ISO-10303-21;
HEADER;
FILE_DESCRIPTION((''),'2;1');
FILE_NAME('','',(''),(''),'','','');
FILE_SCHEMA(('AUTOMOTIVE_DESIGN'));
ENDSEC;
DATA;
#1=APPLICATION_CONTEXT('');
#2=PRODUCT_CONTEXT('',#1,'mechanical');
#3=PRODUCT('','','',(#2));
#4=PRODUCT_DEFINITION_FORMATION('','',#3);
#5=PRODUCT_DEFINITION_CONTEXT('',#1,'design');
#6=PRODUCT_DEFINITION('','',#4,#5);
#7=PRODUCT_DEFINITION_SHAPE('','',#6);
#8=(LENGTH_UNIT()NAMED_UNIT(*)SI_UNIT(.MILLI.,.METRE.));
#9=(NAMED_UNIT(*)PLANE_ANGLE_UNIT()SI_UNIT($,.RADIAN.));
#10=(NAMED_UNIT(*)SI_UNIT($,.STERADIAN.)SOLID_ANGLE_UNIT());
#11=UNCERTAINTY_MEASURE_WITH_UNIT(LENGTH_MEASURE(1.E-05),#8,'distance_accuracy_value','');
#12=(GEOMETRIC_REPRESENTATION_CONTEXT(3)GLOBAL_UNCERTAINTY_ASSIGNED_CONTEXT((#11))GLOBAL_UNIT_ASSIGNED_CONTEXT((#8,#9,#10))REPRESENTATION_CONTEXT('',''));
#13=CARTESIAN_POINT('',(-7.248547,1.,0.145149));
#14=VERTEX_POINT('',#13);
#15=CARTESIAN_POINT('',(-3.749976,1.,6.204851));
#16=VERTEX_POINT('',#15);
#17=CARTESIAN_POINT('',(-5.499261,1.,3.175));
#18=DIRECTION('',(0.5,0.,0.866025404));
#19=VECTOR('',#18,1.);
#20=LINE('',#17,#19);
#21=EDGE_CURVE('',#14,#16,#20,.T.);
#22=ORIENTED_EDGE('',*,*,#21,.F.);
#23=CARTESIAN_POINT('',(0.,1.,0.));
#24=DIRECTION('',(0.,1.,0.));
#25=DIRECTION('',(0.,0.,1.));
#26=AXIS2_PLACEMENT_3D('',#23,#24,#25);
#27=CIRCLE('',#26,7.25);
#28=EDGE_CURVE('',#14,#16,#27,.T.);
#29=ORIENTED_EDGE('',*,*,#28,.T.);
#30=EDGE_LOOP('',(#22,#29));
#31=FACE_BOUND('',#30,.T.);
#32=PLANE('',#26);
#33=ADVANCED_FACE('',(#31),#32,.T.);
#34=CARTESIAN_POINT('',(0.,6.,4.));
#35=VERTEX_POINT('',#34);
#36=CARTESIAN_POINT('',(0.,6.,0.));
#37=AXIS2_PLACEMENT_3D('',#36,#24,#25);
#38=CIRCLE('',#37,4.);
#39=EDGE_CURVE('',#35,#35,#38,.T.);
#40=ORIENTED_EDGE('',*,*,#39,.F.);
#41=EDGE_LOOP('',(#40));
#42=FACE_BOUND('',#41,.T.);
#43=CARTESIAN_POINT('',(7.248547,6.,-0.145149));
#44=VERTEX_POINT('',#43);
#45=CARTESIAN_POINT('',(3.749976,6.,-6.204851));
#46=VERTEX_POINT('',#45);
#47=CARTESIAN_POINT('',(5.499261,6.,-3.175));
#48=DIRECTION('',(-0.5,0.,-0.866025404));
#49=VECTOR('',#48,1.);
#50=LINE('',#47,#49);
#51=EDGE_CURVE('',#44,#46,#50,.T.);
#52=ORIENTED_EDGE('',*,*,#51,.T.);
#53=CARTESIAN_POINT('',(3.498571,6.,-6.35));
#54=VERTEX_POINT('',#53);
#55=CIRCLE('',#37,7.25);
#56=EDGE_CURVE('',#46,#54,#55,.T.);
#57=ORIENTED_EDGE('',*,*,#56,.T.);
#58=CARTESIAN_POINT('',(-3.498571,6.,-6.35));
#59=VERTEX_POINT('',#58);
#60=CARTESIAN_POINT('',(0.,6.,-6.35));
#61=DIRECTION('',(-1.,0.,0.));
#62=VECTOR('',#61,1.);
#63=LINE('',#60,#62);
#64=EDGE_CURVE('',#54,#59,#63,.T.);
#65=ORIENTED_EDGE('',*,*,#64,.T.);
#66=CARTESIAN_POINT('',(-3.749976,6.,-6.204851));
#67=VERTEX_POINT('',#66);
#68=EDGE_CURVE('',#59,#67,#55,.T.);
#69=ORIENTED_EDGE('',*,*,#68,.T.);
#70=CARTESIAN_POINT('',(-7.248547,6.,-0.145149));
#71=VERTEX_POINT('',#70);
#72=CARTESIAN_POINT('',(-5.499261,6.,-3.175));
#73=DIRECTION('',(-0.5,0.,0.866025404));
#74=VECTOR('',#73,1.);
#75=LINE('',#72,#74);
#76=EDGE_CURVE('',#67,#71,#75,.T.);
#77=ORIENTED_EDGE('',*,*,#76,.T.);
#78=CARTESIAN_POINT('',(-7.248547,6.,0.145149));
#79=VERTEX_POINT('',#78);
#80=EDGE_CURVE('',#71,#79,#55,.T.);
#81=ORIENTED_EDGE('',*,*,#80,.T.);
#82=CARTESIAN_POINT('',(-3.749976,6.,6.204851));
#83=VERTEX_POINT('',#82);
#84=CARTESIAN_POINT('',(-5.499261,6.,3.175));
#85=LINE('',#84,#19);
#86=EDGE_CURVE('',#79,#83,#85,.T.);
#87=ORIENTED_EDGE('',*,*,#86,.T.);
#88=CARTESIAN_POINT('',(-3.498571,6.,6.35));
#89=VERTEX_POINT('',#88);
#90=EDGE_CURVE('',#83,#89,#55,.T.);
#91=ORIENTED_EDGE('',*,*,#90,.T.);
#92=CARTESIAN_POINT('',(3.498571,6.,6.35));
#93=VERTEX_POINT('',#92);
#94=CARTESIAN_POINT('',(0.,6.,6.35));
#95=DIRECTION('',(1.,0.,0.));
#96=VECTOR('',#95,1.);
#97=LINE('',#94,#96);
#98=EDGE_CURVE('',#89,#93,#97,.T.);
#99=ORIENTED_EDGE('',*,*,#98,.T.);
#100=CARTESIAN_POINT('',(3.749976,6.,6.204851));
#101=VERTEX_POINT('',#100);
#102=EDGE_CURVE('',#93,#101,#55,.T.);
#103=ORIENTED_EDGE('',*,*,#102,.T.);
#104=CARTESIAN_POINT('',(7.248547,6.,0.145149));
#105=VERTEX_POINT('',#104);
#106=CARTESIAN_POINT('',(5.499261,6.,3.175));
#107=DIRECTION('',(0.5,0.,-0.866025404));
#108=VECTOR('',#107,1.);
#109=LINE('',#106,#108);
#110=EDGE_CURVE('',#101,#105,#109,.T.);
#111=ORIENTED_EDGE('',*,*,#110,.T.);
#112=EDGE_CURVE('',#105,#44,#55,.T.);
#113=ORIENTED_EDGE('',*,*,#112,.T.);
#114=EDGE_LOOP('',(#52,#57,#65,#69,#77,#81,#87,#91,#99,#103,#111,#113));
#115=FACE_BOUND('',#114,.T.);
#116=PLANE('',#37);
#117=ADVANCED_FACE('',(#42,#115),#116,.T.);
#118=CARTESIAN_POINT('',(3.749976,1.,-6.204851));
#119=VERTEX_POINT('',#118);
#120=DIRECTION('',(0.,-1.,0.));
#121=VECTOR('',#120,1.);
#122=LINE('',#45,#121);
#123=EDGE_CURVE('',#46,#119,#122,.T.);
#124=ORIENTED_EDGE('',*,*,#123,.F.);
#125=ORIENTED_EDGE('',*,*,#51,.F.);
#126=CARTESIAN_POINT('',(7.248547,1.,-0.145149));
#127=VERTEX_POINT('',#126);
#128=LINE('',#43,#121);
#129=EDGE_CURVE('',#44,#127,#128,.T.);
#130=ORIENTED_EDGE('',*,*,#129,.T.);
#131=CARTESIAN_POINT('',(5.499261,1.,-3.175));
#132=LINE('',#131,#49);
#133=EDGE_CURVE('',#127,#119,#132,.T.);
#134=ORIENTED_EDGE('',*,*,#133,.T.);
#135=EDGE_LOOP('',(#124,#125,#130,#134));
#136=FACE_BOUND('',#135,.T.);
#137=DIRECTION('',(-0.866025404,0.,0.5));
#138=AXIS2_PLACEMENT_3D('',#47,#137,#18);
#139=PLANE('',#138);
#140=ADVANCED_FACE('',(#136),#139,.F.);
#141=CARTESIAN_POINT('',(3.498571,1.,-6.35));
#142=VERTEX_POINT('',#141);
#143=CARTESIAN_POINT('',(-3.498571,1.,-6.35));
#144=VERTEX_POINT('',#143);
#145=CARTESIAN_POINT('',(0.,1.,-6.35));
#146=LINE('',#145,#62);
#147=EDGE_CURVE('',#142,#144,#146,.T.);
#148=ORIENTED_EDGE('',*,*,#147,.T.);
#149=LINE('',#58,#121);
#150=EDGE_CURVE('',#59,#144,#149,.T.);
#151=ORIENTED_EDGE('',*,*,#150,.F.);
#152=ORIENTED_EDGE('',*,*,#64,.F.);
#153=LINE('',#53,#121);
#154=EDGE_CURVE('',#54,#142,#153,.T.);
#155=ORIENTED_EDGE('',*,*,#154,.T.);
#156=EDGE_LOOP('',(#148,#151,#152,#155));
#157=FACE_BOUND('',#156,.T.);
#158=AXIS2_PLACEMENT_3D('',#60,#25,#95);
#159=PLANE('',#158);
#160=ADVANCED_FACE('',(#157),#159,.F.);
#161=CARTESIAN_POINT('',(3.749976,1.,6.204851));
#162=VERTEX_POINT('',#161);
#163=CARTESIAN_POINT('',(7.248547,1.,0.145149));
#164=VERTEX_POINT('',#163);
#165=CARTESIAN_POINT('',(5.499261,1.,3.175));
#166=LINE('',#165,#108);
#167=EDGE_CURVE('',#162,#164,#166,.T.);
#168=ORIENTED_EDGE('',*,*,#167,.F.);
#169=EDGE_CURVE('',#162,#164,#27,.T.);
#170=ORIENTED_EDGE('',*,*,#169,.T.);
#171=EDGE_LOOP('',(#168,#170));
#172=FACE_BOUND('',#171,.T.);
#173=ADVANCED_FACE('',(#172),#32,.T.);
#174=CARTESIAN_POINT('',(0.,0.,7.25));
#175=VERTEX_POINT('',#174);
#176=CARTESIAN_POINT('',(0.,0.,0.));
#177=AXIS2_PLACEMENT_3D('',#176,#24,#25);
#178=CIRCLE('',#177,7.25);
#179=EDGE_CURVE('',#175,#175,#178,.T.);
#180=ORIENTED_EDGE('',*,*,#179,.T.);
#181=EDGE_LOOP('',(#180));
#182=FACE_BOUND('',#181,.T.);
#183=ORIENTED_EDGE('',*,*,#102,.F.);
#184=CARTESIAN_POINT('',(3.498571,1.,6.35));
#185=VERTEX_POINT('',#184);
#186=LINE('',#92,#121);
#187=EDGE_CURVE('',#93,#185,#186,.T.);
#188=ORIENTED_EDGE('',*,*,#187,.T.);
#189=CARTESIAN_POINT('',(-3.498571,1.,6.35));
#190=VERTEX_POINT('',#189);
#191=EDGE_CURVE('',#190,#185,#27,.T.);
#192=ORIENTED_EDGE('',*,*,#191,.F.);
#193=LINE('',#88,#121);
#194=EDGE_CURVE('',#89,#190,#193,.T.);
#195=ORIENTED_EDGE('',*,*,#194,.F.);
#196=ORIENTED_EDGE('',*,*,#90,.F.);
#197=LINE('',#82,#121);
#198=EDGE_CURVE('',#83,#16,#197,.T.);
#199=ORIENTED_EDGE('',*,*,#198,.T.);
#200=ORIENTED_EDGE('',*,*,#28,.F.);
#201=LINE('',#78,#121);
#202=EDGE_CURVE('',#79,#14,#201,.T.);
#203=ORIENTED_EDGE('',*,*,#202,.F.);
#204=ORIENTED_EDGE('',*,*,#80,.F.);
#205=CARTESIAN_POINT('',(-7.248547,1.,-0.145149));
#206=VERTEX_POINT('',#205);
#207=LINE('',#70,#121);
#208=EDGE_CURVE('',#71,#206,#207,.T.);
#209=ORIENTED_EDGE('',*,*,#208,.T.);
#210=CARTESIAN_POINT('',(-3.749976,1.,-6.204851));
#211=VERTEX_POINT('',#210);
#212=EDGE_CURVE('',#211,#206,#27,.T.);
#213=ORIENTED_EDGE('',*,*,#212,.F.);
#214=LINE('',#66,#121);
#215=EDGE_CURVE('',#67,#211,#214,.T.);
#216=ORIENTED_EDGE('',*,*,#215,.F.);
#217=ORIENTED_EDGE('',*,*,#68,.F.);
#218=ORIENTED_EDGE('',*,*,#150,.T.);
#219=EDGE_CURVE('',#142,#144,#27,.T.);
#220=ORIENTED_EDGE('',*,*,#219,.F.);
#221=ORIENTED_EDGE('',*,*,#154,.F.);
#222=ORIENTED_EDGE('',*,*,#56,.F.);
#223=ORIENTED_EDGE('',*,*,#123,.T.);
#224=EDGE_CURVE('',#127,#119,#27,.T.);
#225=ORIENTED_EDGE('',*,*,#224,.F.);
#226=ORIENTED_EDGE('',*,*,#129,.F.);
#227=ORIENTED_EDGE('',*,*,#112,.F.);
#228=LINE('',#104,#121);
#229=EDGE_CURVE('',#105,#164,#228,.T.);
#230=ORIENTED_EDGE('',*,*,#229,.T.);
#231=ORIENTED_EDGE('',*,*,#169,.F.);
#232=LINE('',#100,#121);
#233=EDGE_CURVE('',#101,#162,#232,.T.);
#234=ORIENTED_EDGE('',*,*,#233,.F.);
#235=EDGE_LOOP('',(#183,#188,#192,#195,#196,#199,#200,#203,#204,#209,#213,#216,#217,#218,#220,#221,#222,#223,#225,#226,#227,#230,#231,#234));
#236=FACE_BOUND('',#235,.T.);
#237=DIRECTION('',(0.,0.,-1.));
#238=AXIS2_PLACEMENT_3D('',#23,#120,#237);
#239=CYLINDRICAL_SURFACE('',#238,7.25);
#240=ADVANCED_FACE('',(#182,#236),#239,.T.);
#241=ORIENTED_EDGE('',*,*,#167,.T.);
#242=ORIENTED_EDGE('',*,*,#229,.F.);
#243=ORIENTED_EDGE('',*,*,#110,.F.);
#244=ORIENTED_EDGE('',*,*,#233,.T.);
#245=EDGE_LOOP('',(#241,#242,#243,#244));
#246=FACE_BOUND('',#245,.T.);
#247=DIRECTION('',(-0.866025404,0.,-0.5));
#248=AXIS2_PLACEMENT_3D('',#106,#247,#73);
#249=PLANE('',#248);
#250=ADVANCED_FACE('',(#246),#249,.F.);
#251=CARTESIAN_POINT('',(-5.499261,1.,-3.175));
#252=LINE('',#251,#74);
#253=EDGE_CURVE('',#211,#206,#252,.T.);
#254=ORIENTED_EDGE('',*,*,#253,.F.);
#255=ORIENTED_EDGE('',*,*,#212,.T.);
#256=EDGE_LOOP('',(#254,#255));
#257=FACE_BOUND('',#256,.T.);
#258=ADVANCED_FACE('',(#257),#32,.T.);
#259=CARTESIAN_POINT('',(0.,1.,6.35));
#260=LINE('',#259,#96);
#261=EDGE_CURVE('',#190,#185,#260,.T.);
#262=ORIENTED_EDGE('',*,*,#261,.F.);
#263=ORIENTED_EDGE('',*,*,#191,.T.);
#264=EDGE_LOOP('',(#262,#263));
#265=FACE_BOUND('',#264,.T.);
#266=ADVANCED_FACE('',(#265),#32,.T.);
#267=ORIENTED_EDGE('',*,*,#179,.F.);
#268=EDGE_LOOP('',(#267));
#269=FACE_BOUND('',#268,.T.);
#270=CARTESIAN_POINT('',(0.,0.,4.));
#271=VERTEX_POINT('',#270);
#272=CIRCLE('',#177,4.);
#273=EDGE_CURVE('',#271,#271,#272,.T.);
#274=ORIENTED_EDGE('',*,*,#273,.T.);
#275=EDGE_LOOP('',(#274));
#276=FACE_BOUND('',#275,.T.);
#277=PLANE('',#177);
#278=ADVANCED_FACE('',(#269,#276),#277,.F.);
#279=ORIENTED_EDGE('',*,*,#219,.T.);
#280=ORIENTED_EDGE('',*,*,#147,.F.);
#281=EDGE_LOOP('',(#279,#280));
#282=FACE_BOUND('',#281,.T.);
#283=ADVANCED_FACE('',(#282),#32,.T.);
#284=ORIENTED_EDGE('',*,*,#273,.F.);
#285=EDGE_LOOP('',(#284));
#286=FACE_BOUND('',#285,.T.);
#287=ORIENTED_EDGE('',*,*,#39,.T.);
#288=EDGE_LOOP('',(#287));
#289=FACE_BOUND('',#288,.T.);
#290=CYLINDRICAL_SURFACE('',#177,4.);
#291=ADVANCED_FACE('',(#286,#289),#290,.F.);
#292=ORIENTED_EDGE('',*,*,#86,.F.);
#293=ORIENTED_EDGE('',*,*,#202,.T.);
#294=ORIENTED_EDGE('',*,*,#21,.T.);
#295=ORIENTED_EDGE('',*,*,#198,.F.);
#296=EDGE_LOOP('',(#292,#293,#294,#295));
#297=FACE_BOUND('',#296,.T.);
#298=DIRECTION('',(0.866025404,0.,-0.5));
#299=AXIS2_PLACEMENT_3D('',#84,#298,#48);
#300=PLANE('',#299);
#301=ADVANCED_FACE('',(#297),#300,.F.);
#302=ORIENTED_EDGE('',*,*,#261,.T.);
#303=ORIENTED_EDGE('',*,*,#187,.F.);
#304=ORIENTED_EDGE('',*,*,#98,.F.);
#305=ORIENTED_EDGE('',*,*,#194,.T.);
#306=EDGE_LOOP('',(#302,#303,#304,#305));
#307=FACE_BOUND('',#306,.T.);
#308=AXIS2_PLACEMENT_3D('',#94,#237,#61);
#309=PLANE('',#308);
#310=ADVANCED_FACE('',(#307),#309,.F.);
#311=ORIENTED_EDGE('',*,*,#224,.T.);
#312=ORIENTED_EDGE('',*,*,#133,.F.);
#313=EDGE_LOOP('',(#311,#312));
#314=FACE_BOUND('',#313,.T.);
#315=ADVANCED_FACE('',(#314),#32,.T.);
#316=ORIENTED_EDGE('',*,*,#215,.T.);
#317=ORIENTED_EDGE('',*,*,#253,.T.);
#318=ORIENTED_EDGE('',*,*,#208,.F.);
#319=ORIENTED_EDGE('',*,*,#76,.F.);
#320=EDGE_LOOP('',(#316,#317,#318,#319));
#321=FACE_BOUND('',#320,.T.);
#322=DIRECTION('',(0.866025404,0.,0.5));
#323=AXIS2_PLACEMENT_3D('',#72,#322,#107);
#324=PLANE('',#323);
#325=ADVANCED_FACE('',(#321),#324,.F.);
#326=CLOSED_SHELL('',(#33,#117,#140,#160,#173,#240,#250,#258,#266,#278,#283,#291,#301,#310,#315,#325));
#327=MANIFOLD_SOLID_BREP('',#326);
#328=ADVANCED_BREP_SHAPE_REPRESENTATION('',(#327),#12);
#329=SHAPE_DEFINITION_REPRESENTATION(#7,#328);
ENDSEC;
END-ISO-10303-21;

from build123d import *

# Parameters (mm, degrees)
SKETCH1_R           = 7.25
BOSS_EXTRUDE1_DEPTH = 1
BOSS_EXTRUDE2_DEPTH = 5
SKETCH3_R           = 4
CUT_EXTRUDE1_DEPTH  = 12.879604371


with BuildPart() as part:
    # Sketch1 → Boss-Extrude1 (new body)
    with BuildSketch(Plane(origin=(0, 0, 0), x_dir=(1, 0, 0), z_dir=(0, 1, 0))):
        with Locations(Location((0, 0, 0), (0, 0, 270))):
            Circle(SKETCH1_R)
    extrude(amount=BOSS_EXTRUDE1_DEPTH)

    # Sketch2 → Boss-Extrude2 (add)
    with BuildSketch(Plane(origin=(0, 1, 0), x_dir=(1, 0, 0), z_dir=(0, 1, 0))):
        with BuildLine():
            ThreePointArc((3.749975746, 6.204851482), (3.625, 6.278684177), (3.498571137, 6.35))
            Line((3.498571137, 6.35), (-3.498571137, 6.35))
            ThreePointArc((-3.498571137, 6.35), (-3.625, 6.278684177), (-3.749975746, 6.204851482))
            Line((-3.749975746, 6.204851482), (-7.248546882, 0.145148518))
            ThreePointArc((-7.248546882, 0.145148518), (-7.25, 0), (-7.248546882, -0.145148518))
            Line((-7.248546882, -0.145148518), (-3.749975746, -6.204851482))
            ThreePointArc((-3.749975746, -6.204851482), (-3.625, -6.278684177), (-3.498571137, -6.35))
            Line((-3.498571137, -6.35), (3.498571137, -6.35))
            ThreePointArc((3.498571137, -6.35), (3.625, -6.278684177), (3.749975746, -6.204851482))
            Line((3.749975746, -6.204851482), (7.248546882, -0.145148518))
            ThreePointArc((7.248546882, -0.145148518), (7.249636712, -0.072577896), (7.25, 0))
            ThreePointArc((7.25, 0), (7.249636712, 0.072577896), (7.248546882, 0.145148518))
            Line((7.248546882, 0.145148518), (3.749975746, 6.204851482))
        make_face()
    extrude(amount=BOSS_EXTRUDE2_DEPTH)

    # Sketch3 → Cut-Extrude1 (cut, through all)
    with BuildSketch(Plane(origin=(0, 6, 0), x_dir=(1, 0, 0), z_dir=(0, 1, 0))):
        with Locations(Location((0, 0, 0), (0, 0, 270))):
            Circle(SKETCH3_R)
    extrude(amount=-CUT_EXTRUDE1_DEPTH, mode=Mode.SUBTRACT)


solid = part.part
